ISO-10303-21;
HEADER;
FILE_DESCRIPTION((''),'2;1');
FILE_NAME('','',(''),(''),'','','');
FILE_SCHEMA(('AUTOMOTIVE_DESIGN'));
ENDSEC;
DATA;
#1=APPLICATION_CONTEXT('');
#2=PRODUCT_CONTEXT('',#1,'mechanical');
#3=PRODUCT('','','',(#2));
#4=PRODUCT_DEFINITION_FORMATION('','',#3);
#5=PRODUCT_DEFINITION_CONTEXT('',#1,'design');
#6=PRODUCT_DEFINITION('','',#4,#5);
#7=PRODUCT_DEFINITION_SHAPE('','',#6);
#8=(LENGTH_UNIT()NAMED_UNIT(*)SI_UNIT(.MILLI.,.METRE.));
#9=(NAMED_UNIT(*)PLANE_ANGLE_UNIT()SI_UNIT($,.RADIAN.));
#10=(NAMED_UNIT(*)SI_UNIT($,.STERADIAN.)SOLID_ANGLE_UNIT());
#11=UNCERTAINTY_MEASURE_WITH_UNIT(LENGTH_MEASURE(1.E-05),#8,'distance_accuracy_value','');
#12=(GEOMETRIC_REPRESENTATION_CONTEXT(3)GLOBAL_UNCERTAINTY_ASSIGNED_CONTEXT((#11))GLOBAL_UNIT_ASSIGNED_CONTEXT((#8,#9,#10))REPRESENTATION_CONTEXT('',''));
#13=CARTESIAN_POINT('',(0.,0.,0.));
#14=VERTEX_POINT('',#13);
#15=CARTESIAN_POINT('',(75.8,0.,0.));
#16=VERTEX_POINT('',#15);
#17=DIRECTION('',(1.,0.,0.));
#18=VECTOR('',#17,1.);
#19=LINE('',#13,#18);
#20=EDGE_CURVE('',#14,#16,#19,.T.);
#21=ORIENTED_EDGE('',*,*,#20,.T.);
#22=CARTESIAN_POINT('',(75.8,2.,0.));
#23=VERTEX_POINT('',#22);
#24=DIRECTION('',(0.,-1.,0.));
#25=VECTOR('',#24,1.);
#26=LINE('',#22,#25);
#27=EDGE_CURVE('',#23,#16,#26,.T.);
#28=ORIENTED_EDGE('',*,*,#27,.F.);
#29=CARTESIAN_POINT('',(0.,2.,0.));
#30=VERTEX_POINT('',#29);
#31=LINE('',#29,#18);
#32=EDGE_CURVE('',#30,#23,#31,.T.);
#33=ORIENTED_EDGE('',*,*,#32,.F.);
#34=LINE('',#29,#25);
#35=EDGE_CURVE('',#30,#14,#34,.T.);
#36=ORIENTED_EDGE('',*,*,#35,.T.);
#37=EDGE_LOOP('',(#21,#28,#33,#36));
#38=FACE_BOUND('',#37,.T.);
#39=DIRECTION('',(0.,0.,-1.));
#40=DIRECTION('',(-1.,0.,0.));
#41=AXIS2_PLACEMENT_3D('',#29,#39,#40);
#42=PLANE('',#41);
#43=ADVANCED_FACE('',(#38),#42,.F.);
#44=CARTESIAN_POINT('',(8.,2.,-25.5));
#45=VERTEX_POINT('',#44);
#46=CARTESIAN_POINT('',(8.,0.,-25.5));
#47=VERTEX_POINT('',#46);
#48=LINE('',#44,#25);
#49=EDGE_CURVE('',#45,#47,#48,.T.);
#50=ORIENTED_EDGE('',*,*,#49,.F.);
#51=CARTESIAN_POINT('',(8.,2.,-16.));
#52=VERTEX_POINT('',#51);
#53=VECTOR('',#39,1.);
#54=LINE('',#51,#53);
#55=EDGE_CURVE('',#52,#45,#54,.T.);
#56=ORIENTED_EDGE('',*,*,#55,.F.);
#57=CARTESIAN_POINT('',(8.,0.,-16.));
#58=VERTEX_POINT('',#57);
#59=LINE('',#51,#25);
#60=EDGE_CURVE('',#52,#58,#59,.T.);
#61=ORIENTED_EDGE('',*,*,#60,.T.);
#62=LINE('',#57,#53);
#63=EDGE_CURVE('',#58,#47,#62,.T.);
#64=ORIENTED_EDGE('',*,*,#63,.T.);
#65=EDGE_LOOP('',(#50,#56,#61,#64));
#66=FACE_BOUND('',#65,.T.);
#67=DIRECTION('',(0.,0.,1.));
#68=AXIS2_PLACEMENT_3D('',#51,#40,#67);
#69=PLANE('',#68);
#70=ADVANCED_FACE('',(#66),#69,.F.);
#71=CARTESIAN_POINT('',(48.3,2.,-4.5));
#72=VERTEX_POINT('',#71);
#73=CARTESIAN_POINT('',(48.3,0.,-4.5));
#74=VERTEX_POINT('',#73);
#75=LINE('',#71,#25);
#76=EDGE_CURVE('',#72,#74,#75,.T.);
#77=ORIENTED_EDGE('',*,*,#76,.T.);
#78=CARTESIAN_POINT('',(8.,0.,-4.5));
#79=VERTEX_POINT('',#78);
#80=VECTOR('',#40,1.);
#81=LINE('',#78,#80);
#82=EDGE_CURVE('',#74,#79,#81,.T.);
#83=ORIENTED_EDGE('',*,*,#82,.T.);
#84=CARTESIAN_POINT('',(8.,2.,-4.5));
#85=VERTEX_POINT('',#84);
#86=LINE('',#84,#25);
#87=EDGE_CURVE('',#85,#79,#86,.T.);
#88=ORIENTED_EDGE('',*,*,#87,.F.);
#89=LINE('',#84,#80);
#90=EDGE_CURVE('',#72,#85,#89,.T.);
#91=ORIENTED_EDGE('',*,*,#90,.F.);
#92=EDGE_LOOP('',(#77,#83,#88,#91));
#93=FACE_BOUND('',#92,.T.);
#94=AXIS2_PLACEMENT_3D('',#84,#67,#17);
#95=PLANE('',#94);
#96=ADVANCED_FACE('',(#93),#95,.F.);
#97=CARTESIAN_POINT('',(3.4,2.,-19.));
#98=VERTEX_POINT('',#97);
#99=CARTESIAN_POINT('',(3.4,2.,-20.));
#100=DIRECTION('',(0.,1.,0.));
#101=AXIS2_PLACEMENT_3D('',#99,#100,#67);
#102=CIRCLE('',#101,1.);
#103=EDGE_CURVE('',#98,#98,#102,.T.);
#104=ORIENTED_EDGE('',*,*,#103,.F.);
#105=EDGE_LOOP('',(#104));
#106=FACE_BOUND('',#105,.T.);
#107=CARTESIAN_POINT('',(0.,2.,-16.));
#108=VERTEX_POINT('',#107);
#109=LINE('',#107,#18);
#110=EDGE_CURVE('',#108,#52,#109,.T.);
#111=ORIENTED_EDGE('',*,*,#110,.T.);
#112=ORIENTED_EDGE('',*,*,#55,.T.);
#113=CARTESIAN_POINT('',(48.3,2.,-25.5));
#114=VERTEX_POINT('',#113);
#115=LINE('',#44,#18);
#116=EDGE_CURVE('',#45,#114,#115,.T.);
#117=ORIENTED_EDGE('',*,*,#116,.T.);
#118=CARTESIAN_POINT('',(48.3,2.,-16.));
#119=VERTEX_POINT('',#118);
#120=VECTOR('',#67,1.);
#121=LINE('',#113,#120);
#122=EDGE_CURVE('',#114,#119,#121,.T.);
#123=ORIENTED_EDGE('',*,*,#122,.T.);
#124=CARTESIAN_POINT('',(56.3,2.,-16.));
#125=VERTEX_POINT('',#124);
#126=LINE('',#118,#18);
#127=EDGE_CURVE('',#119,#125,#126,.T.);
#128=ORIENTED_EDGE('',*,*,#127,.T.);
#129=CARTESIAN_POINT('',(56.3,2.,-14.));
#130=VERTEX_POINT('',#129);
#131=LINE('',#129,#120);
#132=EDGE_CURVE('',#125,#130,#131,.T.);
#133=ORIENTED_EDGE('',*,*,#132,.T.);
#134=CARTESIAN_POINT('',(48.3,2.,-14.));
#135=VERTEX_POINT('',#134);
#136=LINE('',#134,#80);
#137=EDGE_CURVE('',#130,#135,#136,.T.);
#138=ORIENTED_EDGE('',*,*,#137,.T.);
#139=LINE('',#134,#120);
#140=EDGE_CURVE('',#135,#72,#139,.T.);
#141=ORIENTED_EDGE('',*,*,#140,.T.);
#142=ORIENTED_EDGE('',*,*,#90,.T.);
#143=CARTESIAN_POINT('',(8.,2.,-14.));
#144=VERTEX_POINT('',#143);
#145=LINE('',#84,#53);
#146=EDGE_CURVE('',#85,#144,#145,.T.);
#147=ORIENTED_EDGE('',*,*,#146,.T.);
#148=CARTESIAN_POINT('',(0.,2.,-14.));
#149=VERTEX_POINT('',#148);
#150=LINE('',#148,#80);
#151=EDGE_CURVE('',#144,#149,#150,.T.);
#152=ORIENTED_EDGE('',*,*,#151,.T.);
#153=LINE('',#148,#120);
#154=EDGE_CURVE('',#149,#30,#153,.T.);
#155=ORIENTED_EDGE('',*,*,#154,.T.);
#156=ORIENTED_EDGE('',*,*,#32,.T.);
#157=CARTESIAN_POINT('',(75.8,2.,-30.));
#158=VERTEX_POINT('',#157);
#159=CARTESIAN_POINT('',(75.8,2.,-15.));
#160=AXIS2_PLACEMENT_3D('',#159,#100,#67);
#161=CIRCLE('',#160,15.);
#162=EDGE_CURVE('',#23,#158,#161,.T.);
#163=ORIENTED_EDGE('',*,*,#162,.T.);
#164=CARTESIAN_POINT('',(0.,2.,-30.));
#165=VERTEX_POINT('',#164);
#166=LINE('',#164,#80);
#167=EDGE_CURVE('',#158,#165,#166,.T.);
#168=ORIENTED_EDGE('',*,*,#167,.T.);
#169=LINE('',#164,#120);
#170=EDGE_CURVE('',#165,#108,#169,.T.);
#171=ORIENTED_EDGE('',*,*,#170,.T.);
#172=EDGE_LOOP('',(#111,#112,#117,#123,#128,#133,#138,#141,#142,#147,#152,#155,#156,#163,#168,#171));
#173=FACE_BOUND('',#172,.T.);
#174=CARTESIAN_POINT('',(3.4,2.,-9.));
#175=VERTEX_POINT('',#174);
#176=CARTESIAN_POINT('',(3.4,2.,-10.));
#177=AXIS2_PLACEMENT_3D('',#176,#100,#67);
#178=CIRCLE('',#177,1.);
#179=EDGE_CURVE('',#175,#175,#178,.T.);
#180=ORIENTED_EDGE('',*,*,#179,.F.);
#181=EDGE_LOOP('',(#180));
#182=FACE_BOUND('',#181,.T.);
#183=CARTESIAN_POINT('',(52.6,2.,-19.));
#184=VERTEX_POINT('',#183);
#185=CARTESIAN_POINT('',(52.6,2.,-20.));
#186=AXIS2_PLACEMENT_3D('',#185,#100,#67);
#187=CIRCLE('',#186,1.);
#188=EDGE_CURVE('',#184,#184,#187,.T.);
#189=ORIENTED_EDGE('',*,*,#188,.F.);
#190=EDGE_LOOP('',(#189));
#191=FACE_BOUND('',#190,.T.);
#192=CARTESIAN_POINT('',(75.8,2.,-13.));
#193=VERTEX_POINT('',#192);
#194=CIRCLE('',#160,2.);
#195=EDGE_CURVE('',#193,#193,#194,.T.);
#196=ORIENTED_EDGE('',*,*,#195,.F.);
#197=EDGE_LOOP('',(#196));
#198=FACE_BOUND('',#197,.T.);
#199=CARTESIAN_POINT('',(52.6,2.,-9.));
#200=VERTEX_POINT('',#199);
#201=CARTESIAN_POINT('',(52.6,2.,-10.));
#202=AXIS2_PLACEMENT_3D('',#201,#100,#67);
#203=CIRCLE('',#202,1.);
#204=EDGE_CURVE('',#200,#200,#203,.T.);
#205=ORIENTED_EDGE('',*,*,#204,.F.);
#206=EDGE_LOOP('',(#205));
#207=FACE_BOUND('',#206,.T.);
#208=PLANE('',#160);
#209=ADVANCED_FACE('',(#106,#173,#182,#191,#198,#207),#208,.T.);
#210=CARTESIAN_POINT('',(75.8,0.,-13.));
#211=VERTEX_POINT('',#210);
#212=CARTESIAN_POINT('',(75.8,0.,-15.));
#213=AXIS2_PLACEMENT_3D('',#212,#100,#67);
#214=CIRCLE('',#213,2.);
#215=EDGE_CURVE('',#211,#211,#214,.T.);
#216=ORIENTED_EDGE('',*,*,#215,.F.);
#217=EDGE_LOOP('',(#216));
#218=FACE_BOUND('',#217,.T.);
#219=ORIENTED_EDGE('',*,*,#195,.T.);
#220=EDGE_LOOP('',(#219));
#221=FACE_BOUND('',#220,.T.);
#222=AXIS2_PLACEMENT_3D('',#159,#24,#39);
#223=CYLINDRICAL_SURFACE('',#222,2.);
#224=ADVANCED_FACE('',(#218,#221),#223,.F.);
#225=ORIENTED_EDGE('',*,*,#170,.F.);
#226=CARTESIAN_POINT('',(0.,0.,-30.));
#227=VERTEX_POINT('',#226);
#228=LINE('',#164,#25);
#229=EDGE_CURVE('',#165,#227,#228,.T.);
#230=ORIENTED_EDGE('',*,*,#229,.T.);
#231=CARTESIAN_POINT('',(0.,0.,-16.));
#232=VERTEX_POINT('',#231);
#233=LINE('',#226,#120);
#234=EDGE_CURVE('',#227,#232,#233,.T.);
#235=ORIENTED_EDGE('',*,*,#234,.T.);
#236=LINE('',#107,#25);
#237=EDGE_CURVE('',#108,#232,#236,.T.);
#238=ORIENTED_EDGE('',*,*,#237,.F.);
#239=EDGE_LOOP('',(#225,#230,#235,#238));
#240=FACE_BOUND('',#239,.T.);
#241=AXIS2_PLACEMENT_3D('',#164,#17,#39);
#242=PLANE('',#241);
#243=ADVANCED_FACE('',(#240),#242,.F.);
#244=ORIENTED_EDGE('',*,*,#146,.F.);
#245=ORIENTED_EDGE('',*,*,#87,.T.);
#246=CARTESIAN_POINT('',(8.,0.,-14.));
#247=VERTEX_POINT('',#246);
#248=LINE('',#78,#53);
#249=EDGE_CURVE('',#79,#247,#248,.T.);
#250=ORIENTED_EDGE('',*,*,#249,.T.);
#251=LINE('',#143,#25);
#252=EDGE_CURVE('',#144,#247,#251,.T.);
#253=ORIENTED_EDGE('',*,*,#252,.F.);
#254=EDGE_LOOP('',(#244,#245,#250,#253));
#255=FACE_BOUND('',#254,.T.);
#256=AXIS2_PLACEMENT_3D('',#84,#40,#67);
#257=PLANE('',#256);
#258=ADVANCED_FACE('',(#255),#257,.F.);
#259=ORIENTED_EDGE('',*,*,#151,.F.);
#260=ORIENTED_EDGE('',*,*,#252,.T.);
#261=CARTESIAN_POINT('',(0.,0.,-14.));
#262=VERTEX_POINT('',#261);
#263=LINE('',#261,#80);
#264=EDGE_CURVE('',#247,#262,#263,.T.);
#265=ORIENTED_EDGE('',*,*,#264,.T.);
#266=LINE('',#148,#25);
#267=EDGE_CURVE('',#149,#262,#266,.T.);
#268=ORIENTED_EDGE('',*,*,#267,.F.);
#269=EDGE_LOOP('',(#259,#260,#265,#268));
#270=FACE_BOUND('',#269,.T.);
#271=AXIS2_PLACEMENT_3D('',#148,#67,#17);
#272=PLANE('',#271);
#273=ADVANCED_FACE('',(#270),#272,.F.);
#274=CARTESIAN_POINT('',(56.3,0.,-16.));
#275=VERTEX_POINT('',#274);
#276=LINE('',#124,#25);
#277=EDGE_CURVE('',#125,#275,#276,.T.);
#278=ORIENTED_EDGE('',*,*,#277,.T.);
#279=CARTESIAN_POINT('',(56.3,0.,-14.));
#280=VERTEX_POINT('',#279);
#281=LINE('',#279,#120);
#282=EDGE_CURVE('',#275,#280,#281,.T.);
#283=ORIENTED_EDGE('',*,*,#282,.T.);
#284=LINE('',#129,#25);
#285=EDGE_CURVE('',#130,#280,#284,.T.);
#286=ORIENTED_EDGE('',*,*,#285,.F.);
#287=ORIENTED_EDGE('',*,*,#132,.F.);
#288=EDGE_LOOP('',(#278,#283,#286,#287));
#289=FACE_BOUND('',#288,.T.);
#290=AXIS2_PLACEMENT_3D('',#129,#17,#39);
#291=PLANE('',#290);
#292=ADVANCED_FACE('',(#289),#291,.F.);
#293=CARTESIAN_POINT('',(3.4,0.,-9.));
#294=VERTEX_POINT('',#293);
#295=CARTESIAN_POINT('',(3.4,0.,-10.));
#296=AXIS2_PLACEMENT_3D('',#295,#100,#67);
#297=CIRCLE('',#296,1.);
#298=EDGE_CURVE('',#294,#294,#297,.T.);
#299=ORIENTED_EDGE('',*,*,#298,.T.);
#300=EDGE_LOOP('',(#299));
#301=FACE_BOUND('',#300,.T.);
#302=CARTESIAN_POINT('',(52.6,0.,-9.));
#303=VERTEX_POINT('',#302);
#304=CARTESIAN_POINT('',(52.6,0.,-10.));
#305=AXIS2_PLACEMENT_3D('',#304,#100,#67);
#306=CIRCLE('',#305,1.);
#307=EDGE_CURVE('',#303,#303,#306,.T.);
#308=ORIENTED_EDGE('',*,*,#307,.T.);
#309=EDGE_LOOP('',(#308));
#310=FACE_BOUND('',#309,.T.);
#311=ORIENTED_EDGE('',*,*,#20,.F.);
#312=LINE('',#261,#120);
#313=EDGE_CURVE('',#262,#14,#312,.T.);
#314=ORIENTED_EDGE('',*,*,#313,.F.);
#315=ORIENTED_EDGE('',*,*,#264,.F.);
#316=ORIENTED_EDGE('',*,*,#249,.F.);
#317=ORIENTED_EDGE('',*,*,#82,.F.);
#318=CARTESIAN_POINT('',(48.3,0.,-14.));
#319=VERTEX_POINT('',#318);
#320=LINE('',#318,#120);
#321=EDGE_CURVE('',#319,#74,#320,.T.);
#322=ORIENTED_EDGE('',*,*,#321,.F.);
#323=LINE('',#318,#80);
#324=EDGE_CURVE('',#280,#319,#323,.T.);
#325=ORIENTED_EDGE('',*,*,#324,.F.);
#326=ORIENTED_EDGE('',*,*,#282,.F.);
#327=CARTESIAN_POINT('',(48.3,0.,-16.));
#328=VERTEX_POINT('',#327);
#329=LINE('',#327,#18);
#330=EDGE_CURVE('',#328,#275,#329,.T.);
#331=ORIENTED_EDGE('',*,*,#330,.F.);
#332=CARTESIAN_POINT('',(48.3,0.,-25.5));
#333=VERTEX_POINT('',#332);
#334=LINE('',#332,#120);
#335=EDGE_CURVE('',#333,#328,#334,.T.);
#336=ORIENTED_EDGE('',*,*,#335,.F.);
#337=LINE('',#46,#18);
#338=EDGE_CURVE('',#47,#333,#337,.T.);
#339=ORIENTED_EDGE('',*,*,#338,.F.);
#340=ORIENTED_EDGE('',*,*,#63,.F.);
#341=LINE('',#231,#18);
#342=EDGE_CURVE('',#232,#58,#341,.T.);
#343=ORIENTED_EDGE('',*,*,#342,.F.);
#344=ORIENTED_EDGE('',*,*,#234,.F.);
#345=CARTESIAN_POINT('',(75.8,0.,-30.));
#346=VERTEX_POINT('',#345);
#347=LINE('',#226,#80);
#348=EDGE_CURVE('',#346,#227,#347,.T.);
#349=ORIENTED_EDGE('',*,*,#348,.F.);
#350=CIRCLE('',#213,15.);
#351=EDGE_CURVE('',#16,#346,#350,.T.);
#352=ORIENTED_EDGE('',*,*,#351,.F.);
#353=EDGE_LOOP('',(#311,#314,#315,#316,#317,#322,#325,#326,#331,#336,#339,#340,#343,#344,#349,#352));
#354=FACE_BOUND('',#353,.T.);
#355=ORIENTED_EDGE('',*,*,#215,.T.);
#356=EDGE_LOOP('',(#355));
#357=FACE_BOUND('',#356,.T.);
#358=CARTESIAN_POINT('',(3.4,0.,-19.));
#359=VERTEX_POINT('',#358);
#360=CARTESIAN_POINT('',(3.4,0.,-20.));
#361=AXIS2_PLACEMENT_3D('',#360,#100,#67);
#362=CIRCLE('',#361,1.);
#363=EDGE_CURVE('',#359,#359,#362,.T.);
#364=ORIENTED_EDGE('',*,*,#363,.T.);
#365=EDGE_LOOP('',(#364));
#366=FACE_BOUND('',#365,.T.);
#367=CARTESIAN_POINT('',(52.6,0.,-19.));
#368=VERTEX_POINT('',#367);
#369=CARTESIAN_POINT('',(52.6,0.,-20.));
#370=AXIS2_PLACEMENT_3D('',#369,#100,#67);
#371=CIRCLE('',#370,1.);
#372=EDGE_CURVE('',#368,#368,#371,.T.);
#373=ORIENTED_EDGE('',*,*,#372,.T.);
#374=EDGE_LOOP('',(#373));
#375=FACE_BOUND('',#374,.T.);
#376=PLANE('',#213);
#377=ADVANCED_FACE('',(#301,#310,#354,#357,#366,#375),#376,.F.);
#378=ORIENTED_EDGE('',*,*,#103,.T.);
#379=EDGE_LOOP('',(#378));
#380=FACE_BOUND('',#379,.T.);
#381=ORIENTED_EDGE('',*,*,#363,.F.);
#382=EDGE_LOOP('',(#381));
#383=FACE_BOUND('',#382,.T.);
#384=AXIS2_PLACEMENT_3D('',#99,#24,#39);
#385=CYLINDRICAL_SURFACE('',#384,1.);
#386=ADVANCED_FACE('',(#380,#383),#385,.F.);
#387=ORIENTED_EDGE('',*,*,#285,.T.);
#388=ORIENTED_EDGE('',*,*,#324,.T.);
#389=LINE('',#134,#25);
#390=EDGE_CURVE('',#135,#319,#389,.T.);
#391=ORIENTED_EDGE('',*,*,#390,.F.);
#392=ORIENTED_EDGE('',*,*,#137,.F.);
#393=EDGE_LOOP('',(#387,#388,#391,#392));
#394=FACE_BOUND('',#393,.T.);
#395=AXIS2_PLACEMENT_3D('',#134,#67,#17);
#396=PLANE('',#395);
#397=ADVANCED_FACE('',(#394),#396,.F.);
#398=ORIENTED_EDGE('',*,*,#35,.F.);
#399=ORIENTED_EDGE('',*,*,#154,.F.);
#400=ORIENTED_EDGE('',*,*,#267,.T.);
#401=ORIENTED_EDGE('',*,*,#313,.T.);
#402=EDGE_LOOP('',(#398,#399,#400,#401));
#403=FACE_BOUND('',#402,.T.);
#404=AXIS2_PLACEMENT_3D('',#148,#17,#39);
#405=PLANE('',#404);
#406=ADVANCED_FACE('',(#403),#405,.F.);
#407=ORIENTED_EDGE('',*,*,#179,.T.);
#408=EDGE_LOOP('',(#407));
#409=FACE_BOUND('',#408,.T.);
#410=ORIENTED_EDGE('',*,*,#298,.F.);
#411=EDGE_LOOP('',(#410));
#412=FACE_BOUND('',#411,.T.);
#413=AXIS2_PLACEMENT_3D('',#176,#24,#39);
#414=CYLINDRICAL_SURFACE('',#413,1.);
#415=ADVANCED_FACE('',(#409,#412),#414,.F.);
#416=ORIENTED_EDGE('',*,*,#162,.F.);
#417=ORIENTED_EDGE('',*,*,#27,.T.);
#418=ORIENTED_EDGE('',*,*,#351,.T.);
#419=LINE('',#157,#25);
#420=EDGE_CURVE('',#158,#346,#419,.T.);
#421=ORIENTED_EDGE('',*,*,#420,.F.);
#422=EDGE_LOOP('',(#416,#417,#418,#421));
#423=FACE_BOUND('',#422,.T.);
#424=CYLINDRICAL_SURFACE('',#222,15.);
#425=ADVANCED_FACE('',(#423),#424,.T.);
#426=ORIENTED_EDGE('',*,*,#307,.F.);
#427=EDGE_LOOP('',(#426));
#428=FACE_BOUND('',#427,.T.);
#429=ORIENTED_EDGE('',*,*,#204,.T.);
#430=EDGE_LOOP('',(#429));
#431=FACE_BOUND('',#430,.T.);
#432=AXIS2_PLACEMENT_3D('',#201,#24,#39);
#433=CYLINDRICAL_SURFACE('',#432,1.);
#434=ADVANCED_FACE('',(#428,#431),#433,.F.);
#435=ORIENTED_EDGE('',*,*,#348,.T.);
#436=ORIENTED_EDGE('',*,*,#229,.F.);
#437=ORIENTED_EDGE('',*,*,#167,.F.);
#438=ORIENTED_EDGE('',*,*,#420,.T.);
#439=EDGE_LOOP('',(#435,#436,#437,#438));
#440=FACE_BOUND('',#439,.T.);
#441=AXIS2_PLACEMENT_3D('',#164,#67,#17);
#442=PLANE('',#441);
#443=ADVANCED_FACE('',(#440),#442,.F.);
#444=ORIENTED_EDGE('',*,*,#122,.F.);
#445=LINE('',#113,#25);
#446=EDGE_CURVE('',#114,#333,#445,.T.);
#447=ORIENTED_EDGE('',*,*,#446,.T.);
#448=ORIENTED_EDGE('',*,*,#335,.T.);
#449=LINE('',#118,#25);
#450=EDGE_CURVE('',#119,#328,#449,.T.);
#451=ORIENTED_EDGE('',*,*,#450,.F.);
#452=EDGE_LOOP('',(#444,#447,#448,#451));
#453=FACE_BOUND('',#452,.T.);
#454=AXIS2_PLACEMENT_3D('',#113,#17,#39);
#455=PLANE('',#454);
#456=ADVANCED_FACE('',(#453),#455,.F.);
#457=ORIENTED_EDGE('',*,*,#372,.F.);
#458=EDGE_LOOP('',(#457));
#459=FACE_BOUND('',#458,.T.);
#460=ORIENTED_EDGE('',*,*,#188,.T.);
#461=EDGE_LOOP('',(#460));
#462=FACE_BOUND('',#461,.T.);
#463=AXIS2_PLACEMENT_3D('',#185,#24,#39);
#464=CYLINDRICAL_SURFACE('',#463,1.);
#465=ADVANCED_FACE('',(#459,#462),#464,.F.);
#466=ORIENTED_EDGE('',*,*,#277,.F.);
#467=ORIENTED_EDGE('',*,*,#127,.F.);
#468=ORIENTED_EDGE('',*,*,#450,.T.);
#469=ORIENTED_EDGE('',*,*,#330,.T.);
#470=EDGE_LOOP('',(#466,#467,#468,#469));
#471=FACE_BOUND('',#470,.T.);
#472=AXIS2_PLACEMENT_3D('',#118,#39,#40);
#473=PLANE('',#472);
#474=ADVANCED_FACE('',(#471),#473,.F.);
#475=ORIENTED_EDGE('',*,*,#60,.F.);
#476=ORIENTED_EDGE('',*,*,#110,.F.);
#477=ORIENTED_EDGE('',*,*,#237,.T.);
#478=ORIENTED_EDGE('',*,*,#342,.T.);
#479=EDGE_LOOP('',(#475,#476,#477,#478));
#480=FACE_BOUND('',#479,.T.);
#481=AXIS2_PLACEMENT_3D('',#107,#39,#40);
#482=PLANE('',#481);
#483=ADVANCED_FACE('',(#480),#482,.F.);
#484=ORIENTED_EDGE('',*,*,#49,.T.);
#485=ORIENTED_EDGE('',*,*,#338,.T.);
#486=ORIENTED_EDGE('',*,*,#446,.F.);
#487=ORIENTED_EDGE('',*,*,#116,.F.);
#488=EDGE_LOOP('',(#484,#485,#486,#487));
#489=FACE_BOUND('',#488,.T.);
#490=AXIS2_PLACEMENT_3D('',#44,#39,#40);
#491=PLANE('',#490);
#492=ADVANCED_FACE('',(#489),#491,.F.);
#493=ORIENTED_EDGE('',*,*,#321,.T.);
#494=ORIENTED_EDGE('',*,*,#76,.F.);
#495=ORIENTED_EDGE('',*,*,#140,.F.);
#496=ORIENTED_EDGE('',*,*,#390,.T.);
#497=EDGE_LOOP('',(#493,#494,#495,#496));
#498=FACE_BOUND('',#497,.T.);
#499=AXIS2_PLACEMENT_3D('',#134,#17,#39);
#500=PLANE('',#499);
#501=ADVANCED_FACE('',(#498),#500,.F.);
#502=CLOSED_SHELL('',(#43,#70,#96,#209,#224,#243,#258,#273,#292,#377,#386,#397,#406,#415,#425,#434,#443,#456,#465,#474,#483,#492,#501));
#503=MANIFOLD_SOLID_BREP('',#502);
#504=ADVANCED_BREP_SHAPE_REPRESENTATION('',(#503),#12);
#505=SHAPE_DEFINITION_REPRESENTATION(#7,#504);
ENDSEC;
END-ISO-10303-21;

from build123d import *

# Parameters (mm, degrees)
SKETCH_1_R      = 1
SKETCH_1_R_2    = 2
EXTRUDE_1_DEPTH = 2


with BuildPart() as part:
    # Эскиз1 → Бобышка-Вытянуть1 (new body)
    with BuildSketch(Plane(origin=(0, 0, 0), x_dir=(1, 0, 0), z_dir=(0, 1, 0))):
        with BuildLine():
            Line((8, 25.5), (48.3, 25.5))
            Line((48.3, 25.5), (48.3, 16))
            Line((48.3, 16), (56.3, 16))
            Line((56.3, 16), (56.3, 14))
            Line((56.3, 14), (48.3, 14))
            Line((48.3, 14), (48.3, 4.5))
            Line((48.3, 4.5), (8, 4.5))
            Line((8, 4.5), (8, 14))
            Line((8, 14), (0, 14))
            Line((0, 14), (0, 0))
            Line((0, 0), (75.8, 0))
            ThreePointArc((75.8, 0), (90.8, 15), (75.8, 30))
            Line((75.8, 30), (0, 30))
            Line((0, 30), (0, 16))
            Line((0, 16), (8, 16))
            Line((8, 16), (8, 25.5))
        make_face()
        with Locations(Location((3.4, 10, 0), (0, 0, 270))):
            Circle(SKETCH_1_R, mode=Mode.SUBTRACT)
        with Locations(Location((3.4, 20, 0), (0, 0, 270))):
            Circle(SKETCH_1_R, mode=Mode.SUBTRACT)
        with Locations(Location((52.6, 10, 0), (0, 0, 270))):
            Circle(SKETCH_1_R, mode=Mode.SUBTRACT)
        with Locations(Location((52.6, 20, 0), (0, 0, 270))):
            Circle(SKETCH_1_R, mode=Mode.SUBTRACT)
        with Locations(Location((75.8, 15, 0), (0, 0, 270))):
            Circle(SKETCH_1_R_2, mode=Mode.SUBTRACT)
    extrude(amount=EXTRUDE_1_DEPTH)


solid = part.part
